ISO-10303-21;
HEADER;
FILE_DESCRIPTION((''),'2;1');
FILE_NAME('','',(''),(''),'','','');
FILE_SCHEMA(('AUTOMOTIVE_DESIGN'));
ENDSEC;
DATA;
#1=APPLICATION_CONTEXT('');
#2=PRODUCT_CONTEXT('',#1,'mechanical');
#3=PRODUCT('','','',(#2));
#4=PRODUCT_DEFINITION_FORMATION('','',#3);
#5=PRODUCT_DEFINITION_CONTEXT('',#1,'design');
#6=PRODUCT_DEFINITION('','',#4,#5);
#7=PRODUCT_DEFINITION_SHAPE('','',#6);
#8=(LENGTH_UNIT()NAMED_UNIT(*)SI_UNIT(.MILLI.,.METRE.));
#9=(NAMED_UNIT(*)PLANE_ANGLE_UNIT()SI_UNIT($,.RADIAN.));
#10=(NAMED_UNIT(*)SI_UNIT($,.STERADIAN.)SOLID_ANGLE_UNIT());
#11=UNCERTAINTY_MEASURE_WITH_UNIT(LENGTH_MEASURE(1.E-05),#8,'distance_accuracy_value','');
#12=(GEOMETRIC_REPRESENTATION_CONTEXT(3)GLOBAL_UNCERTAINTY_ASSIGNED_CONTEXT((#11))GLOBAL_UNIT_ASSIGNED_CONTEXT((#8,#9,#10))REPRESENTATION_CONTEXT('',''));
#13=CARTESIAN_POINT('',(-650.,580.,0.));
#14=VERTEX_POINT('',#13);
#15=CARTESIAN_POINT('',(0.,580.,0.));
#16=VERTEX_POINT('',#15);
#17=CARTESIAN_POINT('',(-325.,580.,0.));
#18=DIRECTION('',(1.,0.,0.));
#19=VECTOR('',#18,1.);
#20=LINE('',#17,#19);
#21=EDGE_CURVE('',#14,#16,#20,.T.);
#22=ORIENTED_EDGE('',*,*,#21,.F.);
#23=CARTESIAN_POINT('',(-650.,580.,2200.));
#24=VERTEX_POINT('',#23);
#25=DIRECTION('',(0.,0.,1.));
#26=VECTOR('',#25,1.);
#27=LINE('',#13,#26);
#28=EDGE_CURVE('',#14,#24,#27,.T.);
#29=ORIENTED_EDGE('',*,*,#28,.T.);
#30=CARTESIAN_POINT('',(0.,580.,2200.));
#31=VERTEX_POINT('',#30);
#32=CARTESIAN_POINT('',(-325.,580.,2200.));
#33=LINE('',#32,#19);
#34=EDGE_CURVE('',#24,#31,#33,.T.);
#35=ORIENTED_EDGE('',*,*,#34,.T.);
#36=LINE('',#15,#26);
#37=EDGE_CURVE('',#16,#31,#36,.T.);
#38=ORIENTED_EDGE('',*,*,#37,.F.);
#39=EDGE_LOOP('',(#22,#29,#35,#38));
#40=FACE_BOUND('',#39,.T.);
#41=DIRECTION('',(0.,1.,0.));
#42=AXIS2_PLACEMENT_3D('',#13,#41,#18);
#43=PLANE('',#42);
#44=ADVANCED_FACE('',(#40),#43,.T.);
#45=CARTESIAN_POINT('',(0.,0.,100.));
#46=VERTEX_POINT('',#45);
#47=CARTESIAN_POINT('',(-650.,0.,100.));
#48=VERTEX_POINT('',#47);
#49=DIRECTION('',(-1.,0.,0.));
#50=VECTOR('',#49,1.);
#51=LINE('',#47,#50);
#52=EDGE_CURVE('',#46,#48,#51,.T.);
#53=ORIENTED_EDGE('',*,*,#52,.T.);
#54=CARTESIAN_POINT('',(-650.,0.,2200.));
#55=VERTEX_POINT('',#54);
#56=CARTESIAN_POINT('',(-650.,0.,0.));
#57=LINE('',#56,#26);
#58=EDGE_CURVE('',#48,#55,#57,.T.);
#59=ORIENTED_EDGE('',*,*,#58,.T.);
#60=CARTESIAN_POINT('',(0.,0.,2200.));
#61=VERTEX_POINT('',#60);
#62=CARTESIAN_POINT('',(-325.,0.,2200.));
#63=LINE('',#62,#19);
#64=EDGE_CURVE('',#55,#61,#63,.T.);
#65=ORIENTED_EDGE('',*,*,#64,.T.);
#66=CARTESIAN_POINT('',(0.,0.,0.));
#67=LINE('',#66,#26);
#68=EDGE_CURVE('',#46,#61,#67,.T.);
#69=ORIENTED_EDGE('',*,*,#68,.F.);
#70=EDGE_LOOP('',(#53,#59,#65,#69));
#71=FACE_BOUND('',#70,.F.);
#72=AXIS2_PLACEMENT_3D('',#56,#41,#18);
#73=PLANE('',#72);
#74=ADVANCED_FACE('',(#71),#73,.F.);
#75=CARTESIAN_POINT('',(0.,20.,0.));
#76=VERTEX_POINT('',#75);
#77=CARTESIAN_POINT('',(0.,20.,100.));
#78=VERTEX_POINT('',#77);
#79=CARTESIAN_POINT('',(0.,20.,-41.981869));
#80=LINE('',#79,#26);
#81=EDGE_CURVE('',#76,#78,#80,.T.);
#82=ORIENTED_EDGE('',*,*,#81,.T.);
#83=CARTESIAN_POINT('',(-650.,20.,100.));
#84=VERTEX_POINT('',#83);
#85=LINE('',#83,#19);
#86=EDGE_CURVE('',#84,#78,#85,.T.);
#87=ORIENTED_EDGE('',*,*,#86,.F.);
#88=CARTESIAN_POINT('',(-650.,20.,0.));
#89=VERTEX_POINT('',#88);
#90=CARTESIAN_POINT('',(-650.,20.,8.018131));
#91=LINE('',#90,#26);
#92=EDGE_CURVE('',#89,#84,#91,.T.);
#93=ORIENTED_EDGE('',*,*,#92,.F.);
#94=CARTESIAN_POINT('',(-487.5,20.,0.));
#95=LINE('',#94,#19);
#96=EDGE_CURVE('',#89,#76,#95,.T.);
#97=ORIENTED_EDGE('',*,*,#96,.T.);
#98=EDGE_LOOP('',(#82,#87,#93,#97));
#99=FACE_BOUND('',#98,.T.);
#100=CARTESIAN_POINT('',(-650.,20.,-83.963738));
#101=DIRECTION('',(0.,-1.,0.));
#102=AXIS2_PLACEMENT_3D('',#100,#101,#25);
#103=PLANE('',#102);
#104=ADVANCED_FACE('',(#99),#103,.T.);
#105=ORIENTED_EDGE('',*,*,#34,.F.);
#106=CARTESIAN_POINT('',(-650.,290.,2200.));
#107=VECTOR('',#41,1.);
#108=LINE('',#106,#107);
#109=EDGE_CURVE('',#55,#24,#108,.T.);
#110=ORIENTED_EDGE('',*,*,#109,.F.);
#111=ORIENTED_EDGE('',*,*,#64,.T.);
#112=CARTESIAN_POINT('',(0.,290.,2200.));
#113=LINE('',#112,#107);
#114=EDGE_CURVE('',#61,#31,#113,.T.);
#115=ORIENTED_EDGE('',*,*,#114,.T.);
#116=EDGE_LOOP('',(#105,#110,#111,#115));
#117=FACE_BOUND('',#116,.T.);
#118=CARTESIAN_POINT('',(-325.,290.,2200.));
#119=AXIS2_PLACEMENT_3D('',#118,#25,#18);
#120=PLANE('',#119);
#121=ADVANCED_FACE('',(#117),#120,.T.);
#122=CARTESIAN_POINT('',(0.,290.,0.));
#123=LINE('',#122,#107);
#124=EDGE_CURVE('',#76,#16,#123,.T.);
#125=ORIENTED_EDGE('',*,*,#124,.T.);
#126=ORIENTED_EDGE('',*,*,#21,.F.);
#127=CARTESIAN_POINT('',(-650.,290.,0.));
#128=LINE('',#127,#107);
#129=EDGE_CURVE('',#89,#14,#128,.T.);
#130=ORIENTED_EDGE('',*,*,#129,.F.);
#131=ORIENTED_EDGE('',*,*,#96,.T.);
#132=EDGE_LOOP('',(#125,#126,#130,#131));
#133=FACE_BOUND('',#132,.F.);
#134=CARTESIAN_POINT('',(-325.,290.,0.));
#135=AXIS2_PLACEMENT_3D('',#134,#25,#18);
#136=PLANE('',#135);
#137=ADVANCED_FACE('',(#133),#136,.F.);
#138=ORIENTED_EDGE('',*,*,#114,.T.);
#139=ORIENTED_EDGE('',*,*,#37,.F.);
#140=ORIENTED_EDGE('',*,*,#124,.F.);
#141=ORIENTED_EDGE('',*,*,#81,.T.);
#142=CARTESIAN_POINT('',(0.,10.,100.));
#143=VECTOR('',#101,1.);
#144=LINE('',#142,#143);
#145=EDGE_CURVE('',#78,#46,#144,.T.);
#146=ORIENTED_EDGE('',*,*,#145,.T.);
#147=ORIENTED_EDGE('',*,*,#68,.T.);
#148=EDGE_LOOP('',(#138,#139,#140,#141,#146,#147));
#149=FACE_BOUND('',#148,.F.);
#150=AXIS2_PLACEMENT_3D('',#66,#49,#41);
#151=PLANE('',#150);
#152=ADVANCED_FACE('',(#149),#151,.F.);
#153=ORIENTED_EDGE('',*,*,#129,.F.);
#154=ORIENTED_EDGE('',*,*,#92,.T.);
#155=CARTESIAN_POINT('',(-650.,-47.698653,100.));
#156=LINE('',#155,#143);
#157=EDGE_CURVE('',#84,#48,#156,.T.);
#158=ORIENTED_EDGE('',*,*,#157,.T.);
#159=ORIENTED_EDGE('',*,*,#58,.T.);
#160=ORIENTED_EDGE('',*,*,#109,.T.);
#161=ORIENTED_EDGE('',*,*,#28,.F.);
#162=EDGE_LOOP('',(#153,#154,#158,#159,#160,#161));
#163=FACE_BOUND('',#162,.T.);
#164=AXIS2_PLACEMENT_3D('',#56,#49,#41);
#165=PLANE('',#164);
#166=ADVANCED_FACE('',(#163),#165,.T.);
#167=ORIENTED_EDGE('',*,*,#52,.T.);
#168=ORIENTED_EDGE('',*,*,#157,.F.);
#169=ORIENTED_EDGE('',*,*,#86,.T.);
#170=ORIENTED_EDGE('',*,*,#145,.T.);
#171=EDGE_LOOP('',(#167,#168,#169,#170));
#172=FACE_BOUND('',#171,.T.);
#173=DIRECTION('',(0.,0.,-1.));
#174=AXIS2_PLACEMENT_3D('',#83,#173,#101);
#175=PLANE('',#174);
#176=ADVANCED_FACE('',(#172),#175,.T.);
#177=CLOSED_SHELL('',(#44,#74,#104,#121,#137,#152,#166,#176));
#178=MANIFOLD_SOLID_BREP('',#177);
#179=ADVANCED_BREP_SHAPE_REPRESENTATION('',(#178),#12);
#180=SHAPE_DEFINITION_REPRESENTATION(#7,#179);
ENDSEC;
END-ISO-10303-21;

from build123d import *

# Parameters (mm, degrees)
F0_W     = 650
F0_H     = 580
F1_DEPTH = 2200
F2_W     = 135.397307
F2_H     = 183.963738
F3_DEPTH = 650.001


with BuildPart() as f1:
    # F0 (on Top) → F1 (new body)
    with BuildSketch(Plane.XY):
        with Locations((-325, 290)):
            Rectangle(F0_W, F0_H)
    extrude(amount=F1_DEPTH)

    # F2 (on face) → F3 (cut, through all)
    with BuildSketch(Plane(origin=(-650, 0, 0), x_dir=(0, -1, 0), z_dir=(-1, 0, 0))):
        with Locations((47.698653, 8.018131)):
            Rectangle(F2_W, F2_H)
    extrude(amount=-F3_DEPTH, mode=Mode.SUBTRACT)


solid = f1.part
